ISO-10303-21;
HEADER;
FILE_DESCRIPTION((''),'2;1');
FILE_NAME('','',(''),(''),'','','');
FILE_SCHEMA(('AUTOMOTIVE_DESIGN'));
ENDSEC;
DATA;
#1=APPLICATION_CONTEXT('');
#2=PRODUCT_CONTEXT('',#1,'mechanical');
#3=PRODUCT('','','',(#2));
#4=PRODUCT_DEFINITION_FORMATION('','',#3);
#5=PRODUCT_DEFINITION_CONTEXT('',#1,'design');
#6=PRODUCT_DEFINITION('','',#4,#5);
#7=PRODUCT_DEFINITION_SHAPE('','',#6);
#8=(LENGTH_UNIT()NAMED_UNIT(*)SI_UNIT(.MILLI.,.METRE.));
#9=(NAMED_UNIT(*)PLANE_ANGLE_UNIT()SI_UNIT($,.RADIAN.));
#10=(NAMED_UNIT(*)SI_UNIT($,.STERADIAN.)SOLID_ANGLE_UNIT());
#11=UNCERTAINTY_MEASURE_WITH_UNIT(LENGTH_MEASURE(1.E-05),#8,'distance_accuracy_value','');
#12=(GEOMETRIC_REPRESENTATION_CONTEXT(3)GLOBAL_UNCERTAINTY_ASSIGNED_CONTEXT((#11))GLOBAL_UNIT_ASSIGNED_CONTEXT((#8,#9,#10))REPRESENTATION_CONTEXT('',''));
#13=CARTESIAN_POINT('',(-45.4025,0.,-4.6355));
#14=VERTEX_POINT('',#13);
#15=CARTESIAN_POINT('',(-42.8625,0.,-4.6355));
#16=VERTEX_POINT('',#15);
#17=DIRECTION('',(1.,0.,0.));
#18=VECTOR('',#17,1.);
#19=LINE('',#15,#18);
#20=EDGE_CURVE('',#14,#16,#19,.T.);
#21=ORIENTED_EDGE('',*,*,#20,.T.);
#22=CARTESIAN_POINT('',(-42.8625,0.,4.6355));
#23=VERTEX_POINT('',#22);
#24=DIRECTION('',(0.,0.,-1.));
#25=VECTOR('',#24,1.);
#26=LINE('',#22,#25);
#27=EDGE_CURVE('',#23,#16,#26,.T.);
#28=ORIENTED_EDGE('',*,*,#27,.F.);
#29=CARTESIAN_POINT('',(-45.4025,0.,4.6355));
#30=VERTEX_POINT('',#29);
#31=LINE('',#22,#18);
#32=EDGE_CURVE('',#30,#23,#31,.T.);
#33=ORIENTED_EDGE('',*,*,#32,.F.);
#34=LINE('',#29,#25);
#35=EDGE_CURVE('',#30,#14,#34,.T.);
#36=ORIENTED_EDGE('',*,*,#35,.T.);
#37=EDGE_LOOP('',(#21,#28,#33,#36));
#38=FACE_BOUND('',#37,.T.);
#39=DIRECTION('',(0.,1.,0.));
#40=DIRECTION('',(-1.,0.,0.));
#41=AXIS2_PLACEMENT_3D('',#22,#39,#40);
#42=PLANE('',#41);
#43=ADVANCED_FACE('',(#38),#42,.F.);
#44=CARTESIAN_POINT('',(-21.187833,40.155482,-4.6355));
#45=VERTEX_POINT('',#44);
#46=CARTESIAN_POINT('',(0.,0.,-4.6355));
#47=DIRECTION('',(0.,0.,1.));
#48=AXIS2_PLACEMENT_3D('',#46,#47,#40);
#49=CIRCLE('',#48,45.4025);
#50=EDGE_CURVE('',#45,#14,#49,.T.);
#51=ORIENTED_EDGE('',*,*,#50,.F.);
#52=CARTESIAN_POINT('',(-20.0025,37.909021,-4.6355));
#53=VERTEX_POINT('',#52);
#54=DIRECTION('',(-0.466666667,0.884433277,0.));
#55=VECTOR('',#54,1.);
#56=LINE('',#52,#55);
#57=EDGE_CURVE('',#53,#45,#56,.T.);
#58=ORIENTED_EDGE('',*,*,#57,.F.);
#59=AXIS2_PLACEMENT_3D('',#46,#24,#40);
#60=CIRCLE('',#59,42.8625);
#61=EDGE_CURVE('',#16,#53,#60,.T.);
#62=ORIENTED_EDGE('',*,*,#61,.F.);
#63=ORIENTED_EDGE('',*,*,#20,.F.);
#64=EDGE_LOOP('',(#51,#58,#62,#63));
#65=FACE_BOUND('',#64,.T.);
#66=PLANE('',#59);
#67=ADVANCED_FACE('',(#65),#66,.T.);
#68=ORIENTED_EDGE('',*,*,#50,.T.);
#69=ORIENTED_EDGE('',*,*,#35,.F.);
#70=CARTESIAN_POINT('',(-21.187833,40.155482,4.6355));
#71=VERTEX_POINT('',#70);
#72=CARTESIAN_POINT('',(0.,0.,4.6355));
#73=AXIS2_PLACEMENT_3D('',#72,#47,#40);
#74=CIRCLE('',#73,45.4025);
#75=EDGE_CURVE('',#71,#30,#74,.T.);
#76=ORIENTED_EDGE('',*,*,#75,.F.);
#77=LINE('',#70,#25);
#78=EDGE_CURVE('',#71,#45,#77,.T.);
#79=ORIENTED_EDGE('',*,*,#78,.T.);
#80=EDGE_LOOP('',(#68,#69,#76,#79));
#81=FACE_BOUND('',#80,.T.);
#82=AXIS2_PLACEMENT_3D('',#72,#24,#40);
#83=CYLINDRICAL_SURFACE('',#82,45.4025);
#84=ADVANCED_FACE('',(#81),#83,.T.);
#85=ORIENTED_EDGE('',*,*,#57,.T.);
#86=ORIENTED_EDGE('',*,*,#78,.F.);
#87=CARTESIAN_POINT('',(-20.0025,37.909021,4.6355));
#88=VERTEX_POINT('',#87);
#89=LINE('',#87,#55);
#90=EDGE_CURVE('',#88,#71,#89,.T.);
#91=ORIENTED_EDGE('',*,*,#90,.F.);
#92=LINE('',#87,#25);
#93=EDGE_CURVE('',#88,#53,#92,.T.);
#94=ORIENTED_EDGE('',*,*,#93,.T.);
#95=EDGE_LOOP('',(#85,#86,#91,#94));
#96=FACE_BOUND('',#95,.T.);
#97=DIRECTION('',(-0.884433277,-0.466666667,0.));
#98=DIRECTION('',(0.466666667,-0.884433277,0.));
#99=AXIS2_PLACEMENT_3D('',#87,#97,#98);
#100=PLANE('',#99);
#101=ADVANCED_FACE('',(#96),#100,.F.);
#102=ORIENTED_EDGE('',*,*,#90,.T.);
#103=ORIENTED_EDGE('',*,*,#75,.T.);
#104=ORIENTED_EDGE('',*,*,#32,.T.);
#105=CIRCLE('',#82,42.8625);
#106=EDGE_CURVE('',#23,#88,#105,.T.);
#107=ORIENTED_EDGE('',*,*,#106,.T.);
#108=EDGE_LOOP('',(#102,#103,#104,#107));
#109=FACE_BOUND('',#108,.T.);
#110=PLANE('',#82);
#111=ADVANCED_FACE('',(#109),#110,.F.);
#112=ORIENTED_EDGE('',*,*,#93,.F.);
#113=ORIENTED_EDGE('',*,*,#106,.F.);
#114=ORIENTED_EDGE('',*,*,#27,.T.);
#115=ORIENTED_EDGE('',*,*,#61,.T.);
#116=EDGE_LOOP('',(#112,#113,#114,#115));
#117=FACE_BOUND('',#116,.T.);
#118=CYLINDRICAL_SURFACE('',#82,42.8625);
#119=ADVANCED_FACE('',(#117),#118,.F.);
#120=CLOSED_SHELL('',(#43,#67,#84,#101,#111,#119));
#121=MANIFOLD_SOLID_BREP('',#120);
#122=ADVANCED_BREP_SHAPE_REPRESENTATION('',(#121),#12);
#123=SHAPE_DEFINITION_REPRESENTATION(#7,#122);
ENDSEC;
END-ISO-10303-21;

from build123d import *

# Parameters (mm, degrees)
BOSS_EXTRUDE1_DEPTH = 4.6355


with BuildPart() as part:
    # Sketch1 → Boss-Extrude1 (new body, symmetric)
    with BuildSketch(Plane.XY):
        with BuildLine():
            Line((-42.8625, 0), (-45.4025, 0))
            ThreePointArc((-45.4025, 0), (-38.880378144, 23.445750183), (-21.187833333, 40.155481878))
            Line((-21.187833333, 40.155481878), (-20.0025, 37.909021354))
            ThreePointArc((-20.0025, 37.909021354), (-36.705252094, 22.134099824), (-42.8625, 0))
        make_face()
    extrude(amount=BOSS_EXTRUDE1_DEPTH, both=True)


solid = part.part
